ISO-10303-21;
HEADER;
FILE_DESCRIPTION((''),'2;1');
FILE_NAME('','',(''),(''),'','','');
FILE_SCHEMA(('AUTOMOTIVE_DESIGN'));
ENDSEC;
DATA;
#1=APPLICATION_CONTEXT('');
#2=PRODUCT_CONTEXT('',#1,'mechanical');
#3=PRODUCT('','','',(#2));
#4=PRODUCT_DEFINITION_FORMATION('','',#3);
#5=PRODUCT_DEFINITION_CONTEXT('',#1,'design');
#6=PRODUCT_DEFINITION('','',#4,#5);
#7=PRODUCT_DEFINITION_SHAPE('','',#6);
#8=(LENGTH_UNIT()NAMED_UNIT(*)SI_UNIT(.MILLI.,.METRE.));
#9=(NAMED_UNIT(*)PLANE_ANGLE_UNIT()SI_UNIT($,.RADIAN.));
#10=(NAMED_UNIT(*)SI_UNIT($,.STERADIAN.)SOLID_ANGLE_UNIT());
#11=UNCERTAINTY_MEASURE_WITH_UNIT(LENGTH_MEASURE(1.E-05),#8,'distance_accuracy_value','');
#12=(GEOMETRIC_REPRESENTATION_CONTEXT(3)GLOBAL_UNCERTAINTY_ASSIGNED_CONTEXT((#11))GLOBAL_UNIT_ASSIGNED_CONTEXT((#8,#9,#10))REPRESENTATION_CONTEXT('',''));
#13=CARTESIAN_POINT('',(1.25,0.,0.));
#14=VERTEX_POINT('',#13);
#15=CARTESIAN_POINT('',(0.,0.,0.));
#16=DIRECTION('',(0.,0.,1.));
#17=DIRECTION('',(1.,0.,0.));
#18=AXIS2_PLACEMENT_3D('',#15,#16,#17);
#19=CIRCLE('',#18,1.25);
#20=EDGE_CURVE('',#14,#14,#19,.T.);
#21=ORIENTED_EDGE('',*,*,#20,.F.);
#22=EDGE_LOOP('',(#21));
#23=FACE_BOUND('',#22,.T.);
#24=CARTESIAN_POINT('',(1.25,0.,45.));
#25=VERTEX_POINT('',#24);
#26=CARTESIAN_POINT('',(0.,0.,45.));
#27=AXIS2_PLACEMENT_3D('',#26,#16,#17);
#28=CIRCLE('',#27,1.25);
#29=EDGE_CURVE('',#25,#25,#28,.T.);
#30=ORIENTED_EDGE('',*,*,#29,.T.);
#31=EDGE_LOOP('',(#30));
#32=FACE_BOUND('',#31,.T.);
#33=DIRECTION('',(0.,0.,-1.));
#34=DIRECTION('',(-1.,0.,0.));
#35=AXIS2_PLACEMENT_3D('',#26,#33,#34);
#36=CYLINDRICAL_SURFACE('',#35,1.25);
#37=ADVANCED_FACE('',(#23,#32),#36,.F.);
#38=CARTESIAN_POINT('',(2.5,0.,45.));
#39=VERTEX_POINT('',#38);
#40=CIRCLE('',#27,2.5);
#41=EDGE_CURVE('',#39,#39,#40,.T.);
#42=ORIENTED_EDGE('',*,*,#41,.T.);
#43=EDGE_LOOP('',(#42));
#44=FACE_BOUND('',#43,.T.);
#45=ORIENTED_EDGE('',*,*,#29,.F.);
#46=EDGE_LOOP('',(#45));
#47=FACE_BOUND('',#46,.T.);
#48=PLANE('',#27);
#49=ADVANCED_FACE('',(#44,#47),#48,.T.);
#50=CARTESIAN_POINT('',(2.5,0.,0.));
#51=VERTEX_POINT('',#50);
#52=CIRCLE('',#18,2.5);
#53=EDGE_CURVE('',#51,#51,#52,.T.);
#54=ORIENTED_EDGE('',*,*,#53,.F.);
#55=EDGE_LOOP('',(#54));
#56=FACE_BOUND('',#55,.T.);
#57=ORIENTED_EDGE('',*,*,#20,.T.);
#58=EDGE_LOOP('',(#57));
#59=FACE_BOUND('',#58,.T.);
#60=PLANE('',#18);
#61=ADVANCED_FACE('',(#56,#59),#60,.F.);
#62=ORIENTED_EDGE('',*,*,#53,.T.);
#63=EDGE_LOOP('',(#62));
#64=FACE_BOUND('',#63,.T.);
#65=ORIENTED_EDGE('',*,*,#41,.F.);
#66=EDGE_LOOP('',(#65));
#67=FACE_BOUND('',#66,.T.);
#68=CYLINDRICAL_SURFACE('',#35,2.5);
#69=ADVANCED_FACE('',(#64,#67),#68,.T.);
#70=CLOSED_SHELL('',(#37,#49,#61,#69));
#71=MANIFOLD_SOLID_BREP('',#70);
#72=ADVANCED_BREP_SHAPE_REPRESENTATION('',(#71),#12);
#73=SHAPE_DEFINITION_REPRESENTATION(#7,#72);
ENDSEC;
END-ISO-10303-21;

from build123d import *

# Parameters (mm, degrees)
ESQUISSE1_R        = 2.5
ESQUISSE1_R_2      = 1.25
BOSS_EXTRU_1_DEPTH = 45


with BuildPart() as part:
    # Esquisse1 → Boss.-Extru.1 (new body)
    with BuildSketch(Plane.XY):
        Circle(ESQUISSE1_R)
        Circle(ESQUISSE1_R_2, mode=Mode.SUBTRACT)
    extrude(amount=BOSS_EXTRU_1_DEPTH)


solid = part.part
